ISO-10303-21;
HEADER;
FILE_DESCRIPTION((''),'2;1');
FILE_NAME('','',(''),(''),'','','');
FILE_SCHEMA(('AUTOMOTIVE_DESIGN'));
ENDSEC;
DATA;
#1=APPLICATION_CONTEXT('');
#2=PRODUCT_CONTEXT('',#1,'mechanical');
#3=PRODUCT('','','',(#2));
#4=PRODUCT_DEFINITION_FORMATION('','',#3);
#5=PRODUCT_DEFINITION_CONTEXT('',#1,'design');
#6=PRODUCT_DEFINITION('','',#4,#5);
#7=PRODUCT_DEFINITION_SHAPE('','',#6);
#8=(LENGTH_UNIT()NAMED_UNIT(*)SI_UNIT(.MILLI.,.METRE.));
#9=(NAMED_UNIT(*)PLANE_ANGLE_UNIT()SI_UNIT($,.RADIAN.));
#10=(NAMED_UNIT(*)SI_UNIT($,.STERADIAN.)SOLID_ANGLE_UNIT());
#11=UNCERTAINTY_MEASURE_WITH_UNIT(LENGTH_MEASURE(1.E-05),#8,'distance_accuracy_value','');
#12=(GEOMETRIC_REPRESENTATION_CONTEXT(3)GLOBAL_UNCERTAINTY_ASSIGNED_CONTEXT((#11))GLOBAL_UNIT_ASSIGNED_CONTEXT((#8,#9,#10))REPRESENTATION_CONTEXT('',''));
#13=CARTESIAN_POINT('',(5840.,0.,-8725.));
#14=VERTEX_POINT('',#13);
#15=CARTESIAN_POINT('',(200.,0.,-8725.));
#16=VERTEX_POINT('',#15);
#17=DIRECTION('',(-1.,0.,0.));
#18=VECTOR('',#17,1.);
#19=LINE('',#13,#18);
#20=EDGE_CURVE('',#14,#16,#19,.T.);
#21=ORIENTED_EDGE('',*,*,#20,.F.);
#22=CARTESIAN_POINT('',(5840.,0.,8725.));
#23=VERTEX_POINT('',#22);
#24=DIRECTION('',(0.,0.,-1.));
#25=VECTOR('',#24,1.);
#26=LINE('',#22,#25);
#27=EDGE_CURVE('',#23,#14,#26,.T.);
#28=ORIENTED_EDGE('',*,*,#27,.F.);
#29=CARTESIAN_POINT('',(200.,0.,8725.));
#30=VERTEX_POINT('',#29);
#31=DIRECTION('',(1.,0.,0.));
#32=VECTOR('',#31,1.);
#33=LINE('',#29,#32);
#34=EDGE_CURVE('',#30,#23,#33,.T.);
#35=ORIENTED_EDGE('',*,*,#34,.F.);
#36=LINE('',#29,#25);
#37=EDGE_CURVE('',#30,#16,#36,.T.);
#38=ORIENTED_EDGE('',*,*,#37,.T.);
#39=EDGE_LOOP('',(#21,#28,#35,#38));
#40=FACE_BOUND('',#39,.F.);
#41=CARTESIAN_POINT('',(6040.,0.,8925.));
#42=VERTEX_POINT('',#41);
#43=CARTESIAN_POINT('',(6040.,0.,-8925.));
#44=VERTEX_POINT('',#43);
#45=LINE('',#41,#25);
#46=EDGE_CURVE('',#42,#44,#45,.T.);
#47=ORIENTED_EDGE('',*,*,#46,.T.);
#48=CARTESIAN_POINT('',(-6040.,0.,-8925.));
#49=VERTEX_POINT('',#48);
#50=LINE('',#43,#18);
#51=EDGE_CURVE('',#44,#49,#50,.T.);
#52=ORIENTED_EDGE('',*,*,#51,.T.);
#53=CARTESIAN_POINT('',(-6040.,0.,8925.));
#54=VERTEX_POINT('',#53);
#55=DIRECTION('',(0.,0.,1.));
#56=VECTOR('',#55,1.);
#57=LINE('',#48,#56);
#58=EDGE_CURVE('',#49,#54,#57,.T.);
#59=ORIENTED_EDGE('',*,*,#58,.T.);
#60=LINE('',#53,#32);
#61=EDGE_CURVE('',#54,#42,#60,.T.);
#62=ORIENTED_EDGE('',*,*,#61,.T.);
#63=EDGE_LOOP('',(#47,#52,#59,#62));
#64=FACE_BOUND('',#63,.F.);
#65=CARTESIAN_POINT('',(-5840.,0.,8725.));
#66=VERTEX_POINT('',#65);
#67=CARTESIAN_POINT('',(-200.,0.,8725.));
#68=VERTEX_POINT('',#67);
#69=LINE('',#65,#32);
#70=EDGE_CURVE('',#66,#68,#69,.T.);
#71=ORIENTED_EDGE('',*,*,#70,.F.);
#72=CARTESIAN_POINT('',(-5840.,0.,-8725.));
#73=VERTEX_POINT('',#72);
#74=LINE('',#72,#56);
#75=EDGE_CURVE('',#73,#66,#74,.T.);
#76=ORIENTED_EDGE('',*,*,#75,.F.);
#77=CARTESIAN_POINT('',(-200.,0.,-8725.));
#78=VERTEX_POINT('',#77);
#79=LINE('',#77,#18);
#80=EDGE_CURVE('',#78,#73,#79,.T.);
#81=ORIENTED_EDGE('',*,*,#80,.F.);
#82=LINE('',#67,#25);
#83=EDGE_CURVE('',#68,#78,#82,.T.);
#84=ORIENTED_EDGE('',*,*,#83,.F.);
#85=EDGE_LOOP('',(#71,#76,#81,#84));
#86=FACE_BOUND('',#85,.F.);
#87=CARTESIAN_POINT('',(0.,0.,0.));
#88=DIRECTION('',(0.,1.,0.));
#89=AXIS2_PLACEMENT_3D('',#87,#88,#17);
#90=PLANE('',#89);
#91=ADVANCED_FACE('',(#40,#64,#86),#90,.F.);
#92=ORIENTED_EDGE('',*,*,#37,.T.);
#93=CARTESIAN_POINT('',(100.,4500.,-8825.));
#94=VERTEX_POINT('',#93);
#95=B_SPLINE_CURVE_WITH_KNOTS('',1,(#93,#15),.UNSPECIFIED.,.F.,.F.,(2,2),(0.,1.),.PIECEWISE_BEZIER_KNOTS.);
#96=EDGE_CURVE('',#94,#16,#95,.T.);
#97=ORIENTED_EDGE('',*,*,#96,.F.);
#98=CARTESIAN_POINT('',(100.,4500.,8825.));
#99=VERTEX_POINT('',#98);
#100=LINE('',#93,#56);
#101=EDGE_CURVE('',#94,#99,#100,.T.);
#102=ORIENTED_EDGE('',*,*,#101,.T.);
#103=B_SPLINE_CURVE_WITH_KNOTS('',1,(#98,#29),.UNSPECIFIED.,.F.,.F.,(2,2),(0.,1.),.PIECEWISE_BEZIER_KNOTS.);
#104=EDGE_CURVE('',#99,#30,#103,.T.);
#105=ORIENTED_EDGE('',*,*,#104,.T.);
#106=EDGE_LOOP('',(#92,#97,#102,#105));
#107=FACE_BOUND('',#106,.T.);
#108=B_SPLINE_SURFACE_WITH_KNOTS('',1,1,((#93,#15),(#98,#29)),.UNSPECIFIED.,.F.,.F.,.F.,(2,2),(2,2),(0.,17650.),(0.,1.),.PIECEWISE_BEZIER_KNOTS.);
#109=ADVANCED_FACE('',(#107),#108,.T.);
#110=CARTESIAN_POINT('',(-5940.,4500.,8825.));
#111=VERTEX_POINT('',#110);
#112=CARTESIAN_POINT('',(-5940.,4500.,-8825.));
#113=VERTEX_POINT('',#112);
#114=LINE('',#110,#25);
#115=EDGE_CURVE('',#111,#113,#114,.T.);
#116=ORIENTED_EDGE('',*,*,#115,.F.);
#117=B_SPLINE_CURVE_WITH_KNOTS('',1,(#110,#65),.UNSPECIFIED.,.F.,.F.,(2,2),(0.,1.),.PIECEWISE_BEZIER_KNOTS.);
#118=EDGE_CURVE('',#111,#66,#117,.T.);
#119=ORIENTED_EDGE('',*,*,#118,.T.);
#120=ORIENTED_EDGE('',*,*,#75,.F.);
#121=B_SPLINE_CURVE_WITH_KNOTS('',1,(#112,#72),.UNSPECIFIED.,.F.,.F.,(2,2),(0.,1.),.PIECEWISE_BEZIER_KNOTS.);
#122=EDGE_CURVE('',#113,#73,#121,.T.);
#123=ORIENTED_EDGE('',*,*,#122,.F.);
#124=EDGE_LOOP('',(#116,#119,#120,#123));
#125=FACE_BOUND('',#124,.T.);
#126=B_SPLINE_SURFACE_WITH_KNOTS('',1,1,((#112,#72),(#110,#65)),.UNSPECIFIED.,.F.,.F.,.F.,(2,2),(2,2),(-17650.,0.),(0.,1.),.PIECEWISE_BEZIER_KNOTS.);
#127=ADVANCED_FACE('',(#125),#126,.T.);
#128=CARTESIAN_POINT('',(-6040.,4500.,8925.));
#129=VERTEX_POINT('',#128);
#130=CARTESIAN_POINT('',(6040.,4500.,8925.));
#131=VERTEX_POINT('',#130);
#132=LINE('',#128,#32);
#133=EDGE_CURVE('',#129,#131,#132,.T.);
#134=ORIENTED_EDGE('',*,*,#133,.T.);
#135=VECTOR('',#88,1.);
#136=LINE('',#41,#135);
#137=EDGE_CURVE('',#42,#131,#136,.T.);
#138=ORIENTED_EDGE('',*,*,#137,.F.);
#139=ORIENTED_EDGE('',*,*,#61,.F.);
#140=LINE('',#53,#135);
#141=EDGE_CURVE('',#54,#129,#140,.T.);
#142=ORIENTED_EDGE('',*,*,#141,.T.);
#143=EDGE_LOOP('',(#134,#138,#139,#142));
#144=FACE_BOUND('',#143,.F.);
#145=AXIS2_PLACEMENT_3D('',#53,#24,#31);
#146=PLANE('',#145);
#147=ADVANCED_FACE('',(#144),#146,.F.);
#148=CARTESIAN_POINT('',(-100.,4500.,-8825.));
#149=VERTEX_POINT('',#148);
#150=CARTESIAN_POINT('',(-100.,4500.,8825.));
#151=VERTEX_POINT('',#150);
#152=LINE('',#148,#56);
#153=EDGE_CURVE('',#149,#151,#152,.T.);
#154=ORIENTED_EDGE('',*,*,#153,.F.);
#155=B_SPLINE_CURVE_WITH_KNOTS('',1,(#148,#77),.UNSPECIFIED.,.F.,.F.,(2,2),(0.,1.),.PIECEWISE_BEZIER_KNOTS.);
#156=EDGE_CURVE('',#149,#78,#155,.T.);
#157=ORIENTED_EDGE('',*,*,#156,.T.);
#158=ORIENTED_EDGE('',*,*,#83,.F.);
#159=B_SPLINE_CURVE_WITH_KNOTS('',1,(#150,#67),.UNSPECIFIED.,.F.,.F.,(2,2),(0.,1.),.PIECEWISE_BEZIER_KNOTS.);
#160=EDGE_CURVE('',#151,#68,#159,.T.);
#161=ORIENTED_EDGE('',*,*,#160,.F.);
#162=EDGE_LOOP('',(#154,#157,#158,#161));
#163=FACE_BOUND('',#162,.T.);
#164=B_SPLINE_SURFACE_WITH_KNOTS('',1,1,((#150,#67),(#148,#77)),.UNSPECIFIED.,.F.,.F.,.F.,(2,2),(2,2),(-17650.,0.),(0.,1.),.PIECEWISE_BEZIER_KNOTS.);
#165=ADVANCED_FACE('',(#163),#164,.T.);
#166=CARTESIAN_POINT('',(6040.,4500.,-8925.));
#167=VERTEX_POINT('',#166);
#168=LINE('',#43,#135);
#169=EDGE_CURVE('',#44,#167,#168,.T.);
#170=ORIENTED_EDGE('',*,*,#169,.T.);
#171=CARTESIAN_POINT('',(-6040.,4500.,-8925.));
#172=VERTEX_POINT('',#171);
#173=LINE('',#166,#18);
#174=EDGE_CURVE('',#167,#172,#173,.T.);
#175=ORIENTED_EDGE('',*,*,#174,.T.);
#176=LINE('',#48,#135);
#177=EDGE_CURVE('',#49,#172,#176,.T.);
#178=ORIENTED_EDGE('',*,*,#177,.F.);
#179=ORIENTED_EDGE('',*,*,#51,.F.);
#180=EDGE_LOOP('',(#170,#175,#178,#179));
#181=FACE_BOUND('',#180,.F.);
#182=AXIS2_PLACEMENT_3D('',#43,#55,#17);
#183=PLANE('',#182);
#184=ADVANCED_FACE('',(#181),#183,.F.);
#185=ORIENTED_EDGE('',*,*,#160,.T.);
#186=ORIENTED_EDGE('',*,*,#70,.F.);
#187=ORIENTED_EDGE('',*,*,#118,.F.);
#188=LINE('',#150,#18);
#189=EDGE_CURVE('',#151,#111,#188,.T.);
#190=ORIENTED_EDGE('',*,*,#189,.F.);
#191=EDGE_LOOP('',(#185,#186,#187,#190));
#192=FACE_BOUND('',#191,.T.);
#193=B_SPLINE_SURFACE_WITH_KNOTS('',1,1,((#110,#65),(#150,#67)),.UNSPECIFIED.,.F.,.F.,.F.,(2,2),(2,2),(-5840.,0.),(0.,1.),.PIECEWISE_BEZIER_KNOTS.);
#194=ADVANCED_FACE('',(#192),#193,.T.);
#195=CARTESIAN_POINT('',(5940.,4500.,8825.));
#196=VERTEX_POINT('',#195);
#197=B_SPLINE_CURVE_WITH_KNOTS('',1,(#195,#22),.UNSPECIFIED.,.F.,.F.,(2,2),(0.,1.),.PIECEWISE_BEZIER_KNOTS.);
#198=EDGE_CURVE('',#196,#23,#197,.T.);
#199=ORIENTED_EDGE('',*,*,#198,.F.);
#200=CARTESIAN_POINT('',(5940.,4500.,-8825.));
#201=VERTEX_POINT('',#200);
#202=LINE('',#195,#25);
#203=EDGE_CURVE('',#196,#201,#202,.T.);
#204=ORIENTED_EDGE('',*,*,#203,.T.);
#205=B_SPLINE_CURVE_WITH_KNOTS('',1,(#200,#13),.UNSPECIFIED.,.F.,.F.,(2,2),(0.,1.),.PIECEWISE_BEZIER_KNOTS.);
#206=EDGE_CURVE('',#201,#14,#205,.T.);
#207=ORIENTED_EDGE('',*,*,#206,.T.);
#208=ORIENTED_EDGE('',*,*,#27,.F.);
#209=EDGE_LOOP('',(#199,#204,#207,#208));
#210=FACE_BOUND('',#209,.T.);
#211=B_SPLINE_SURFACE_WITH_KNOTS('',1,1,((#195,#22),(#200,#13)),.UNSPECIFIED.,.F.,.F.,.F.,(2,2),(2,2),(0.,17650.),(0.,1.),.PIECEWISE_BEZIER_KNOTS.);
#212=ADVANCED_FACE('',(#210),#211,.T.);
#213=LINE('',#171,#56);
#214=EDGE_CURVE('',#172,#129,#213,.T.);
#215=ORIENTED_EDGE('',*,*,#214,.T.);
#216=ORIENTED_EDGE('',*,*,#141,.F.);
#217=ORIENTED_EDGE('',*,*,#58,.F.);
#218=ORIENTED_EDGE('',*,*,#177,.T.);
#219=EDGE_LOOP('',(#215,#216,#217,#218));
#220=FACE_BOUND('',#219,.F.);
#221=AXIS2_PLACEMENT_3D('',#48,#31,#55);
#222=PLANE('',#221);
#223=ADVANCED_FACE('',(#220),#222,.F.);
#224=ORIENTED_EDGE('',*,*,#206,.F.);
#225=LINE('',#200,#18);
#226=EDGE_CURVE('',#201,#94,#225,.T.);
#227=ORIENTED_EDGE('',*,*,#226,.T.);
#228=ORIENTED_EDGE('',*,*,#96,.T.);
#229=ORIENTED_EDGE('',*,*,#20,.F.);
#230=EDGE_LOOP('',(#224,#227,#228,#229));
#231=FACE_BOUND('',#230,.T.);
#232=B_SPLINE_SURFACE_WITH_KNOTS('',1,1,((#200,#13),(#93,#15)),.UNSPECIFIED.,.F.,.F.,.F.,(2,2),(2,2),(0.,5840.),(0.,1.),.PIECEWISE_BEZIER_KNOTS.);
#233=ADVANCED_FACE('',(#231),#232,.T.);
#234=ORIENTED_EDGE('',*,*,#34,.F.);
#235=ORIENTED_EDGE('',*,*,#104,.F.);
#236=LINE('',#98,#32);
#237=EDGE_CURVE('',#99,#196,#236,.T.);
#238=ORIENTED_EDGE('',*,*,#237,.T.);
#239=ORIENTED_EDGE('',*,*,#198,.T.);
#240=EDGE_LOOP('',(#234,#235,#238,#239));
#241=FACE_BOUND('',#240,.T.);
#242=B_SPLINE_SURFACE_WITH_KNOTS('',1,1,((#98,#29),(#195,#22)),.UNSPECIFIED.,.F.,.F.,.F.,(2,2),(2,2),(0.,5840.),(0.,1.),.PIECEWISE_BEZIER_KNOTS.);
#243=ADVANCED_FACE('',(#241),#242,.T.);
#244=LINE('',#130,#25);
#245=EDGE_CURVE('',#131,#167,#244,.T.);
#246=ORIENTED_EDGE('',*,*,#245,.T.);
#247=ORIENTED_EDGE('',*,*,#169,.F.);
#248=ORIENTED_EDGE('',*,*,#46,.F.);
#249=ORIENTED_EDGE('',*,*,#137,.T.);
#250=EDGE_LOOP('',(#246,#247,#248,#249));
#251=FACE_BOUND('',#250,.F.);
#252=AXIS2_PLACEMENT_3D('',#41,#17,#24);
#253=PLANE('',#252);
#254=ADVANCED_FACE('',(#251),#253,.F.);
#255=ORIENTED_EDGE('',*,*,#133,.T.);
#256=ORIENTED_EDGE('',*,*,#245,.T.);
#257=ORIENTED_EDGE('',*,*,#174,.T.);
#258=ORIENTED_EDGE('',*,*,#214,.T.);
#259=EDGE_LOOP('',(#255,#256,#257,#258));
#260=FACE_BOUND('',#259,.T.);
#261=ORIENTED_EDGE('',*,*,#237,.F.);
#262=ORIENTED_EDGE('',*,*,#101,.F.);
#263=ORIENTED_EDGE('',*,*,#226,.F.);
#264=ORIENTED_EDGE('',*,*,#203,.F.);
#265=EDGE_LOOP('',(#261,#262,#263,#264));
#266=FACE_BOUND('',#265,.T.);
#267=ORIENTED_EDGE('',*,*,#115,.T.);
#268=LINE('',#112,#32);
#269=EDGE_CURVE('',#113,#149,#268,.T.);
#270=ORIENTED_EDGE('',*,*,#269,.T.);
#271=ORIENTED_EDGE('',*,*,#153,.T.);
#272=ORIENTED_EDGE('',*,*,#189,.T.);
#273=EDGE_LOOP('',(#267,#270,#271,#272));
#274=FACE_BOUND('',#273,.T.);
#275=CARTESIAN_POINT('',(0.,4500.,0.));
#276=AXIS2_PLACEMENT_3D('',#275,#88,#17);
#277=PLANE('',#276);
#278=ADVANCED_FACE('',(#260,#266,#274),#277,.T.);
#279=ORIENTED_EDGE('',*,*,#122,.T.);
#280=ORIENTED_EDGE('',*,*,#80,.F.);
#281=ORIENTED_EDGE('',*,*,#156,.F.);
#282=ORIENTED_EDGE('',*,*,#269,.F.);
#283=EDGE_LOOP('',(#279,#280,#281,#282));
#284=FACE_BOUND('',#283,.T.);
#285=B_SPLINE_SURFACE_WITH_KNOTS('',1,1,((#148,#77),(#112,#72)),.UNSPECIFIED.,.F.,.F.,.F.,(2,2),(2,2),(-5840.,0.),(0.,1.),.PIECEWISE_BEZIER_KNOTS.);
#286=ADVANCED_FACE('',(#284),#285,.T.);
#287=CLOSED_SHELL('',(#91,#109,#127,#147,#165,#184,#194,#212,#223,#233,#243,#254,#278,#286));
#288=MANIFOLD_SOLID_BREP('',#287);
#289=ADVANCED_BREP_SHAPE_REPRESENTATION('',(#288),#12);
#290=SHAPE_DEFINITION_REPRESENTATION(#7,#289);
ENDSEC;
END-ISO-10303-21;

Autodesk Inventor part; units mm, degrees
ref_plane "YZ Plane" through (0, 0, 0) normal (1, 0, 0) x (0, 1, 0)
ref_plane "XZ Plane" through (0, 0, 0) normal (0, 1, 0) x (-1, 0, 0)
ref_plane "XY Plane" through (0, 0, 0) normal (0, 0, 1) x (1, 0, 0)
sketch "Эскиз1" plane through (0, 0, 0) normal (0, 1, 0) x (-1, 0, 0)
  line L0 (6040, 8925) -> (-6040, 8925)
  line L1 (-6040, 8925) -> (-6040, -8925)
  line L2 (-6040, -8925) -> (6040, -8925)
  line L3 (6040, -8925) -> (6040, 8925)
  line L4 (-6040, 8925) -> (6040, -8925) construction
  line L5 (-5840, 8725) -> (-5840, -8725)
  line L6 (5840, -8725) -> (5840, 8725)
  line L7 (200, 8725) -> (200, -8725)
  line L8 (-200, 8725) -> (-200, -8725)
  line L9 (5840, 8725) -> (200, 8725)
  line L10 (-200, 8725) -> (-5840, 8725)
  line L11 (-5840, -8725) -> (-200, -8725)
  line L12 (200, -8725) -> (5840, -8725)
  point P0 (0, 0)
  point P1 (0, 0)
  dimension "d0" = 12080
  dimension "d1" = 17850
  dimension "d5" = 200
  dimension "d6" = 400
  dimension "d7" = 200
  dimension "d16" = 200
  dimension "d17" = 200
  dimension "d18" = 200
extrude "Выдавливание4" add sketch "Эскиз1" along normal blind 4500
sketch "Эскиз3" plane through (0, 4500, 0) normal (0, 1, 0) x (1, 0, 0)
  line L0 (6040, -8925) -> (6040, 8925) projected
  line L1 (6040, 8925) -> (-6040, 8925) projected
  line L2 (-6040, 8925) -> (-6040, -8925) projected
  line L3 (-6040, -8925) -> (6040, -8925) projected
  line L4 (200, -8725) -> (200, 8725) projected
  line L5 (200, 8725) -> (5840, 8725) projected
  line L6 (5840, 8725) -> (5840, -8725) projected
  line L7 (5840, -8725) -> (200, -8725) projected
  line L8 (-5840, 8725) -> (-200, 8725) projected
  line L9 (-200, 8725) -> (-200, -8725) projected
  line L10 (-200, -8725) -> (-5840, -8725) projected
  line L11 (-5840, -8725) -> (-5840, 8725) projected
  line L12 (-5940, 8825) -> (-100, 8825)
  line L13 (-100, 8825) -> (-100, -8825)
  line L14 (-100, -8825) -> (-5940, -8825)
  line L15 (-5940, -8825) -> (-5940, 8825)
  line L16 (100, 8825) -> (100, -8825)
  line L17 (100, -8825) -> (5940, -8825)
  line L18 (5940, -8825) -> (5940, 8825)
  line L19 (5940, 8825) -> (100, 8825)
  point P0 (0, 0)
  dimension "d25" = 100
  dimension "d26" = 100
loft "Лофт1" cut profiles "Эскиз3", "Эскиз1" contours L4 L5 L6 L7 | L19 L18 L17 L16 / L10 L8 L11 L5
loft "Лофт2" cut profiles "Эскиз3", "Эскиз1" contours L8 L9 L10 L11 | L12 L13 L14 L15 / L12 L7 L9 L6
sketch "Эскиз4" plane through (5840, 0, -8725) normal (-0.9998, 0.0222, 0) x (0, 0, 1)
  line L0 (17650, 4.4433) -> (-200, 4.4433) projected
  line L1 (-200, 4.4433) -> (-200, 4503.3326) projected
  line L2 (17650, 4503.3326) -> (-200, 4503.3326) projected
  line L3 (17650, 4.4433) -> (17650, 4503.3326) projected
  line L4 (-200, 1504.4433) -> (17650, 1504.4433)
  line L5 (-200, 3004.4433) -> (17650, 3004.4433)
  line L6 (2771.67, 3004.4433) -> (2771.67, 1504.4433)
  line L7 (1285.835, 1504.4433) -> (1285.835, 4.4433)
  line L8 (5743.34, 3004.4433) -> (5743.34, 1504.4433)
  line L9 (8715.01, 3004.4433) -> (8715.01, 1504.4433)
  line L10 (11686.68, 3004.4433) -> (11686.68, 1504.4433)
  line L11 (14658.35, 3004.4433) -> (14658.35, 1504.4433)
  line L12 (4257.505, 1504.4433) -> (4257.505, 4.4433)
  line L13 (7229.175, 1504.4433) -> (7229.175, 4.4433)
  line L14 (10200.845, 1504.4433) -> (10200.845, 4.4433)
  line L15 (13172.515, 1504.4433) -> (13172.515, 4.4433)
  line L16 (16144.185, 1504.4433) -> (16144.185, 4.4433)
  line L17 (1285.835, 3004.4433) -> (1285.835, 4503.3326)
  line L18 (17650, 4503.3326) -> (-200, 4503.3326) projected
  line L19 (4257.505, 3004.4433) -> (4257.505, 4503.3326)
  line L20 (7229.175, 3004.4433) -> (7229.175, 4503.3326)
  line L21 (10200.845, 3004.4433) -> (10200.845, 4503.3326)
  line L22 (13172.515, 3004.4433) -> (13172.515, 4503.3326)
  line L23 (16144.185, 3004.4433) -> (16144.185, 4503.3326)
  point P0 (8725, -129.7457)
  dimension "d38" = 1500
  dimension "d40" = 1500
  dimension "d41" = 2971.67
  dimension "d42" = 1485.835
  dimension "d45" = 2971.67
  dimension "d52" = 2971.67
  dimension "d59" = 2971.67
sketch "Эскиз5" plane through (200, 0, -8725) normal (0, 0.0222, 0.9998) x (1, 0, 0)
  line L0 (5840, 4.4433) -> (-6240, 4.4433) projected
  line L1 (-6240, 4.4433) -> (-6240, 4503.3326) projected
  line L2 (5840, 4503.3326) -> (-6240, 4503.3326) projected
  line L3 (5840, 4.4433) -> (5840, 4503.3326) projected
  line L4 (-6240, 1504.4433) -> (5840, 1504.4433)
  line L5 (-6240, 3004.4433) -> (5840, 3004.4433)
  line L6 (3826.65, 1504.4433) -> (3826.65, 4.4433)
  line L7 (5168.88, 3004.4433) -> (5168.88, 1504.4433)
  line L8 (3826.65, 3004.4433) -> (3826.65, 4503.3326)
  line L9 (1142.21, 1504.4433) -> (1142.21, 4.4433)
  line L10 (-1542.23, 1504.4433) -> (-1542.23, 4.4433)
  line L11 (-4226.67, 1504.4433) -> (-4226.67, 4.4433)
  line L12 (1142.21, 3004.4433) -> (1142.21, 4503.3326)
  line L13 (-1542.23, 3004.4433) -> (-1542.23, 4503.3326)
  line L14 (-4226.67, 3004.4433) -> (-4226.67, 4503.3326)
  line L15 (2484.44, 3004.4433) -> (2484.44, 1504.4433)
  line L16 (-200, 3004.4433) -> (-200, 1504.4433)
  line L17 (-2884.44, 3004.4433) -> (-2884.44, 1504.4433)
  line L18 (-5568.88, 3004.4433) -> (-5568.88, 1504.4433)
  point P0 (-200, -193.841)
  dimension "d64" = 1500
  dimension "d65" = 1500
  dimension "d66" = 2013.35
  dimension "d89" = 671.12
  dimension "d92" = 2684.44
  dimension "d99" = 2684.44
  dimension "d106" = 2684.44
equation "\"d40\" = d38"
equation "\"d42\" = 0.5 * d41"
equation "\"d65\" = d64"
properties part number "GBK overall model"
